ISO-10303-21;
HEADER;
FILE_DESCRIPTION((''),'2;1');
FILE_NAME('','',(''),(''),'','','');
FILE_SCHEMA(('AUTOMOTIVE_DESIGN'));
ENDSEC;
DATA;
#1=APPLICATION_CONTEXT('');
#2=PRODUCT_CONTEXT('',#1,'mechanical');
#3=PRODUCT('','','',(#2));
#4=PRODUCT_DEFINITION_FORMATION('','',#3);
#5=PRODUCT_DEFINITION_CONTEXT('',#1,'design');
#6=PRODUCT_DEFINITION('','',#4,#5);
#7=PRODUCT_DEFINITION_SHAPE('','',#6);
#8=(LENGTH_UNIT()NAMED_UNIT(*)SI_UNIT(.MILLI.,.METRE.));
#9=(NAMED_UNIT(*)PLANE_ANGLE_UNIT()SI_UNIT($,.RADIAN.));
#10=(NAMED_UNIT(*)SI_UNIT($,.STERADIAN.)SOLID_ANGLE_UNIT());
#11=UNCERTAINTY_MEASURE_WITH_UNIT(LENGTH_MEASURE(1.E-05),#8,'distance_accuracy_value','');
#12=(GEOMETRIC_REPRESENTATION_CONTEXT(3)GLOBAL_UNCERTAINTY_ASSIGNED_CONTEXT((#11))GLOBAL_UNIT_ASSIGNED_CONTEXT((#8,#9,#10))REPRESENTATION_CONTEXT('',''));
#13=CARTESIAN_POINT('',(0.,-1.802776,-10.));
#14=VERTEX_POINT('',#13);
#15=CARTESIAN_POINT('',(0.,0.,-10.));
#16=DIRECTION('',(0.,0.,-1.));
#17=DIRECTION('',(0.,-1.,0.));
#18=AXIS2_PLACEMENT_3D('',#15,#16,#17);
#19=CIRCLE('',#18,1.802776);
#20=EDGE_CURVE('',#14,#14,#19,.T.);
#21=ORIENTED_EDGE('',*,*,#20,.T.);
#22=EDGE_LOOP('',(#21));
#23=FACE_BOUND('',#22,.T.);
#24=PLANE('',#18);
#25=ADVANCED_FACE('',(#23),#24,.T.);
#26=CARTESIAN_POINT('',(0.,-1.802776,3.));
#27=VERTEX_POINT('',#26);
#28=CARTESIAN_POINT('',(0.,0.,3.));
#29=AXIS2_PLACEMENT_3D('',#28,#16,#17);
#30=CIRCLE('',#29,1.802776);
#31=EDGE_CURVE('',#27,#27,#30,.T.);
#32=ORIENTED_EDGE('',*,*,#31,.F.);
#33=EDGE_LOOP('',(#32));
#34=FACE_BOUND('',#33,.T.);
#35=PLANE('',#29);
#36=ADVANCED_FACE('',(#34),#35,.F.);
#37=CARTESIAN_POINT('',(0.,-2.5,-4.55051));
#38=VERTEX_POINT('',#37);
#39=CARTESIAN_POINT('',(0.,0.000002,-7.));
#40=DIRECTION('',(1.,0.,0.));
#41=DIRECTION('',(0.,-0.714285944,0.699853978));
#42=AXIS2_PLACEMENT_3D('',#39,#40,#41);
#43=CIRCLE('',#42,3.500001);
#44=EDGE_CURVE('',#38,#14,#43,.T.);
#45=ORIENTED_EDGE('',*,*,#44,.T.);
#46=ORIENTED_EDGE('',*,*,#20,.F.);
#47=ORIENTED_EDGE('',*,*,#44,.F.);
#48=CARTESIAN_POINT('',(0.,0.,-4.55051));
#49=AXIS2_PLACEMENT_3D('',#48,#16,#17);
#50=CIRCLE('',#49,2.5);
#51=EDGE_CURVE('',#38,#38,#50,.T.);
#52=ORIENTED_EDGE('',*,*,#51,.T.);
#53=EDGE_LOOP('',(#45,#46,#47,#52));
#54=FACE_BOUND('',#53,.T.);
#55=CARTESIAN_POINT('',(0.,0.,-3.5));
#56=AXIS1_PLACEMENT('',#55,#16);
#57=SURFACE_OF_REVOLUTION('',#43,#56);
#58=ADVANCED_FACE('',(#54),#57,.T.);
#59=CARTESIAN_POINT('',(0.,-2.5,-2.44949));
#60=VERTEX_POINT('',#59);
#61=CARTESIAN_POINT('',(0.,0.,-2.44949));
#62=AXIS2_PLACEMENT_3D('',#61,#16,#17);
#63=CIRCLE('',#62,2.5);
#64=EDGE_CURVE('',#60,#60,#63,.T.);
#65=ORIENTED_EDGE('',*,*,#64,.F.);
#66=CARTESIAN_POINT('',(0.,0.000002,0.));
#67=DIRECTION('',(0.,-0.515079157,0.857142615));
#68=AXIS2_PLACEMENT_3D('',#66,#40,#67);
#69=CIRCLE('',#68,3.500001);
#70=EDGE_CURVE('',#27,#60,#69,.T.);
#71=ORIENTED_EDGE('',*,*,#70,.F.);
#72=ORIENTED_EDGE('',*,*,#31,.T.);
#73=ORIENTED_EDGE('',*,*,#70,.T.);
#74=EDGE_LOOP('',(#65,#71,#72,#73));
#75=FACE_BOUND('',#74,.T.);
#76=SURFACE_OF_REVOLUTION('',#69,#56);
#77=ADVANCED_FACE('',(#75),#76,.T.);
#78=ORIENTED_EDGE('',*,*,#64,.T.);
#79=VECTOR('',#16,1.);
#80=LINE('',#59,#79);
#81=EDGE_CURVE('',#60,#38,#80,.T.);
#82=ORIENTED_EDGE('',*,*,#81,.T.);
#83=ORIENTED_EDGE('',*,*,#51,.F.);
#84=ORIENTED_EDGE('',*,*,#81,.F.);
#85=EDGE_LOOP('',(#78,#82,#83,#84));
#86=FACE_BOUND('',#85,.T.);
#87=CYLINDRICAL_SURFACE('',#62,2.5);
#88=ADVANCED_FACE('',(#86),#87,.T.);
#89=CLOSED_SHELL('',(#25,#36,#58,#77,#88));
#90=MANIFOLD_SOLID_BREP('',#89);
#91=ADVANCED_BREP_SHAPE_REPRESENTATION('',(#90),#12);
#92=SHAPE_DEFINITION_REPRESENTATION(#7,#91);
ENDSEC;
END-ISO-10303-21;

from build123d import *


with BuildPart() as f1:
    # F0 (on Right) → F1 (revolve)
    with BuildSketch(Plane.YZ):
        with BuildLine():
            Line((0, -7), (0, 0))
            Line((0, 0), (0, 3))
            Line((0, 3), (-1.802776, 3))
            ThreePointArc((-1.802776, 3), (-3.4717, 0.44418), (-2.5, -2.44949))
            Line((-2.5, -2.44949), (-2.5, -4.55051))
            ThreePointArc((-2.5, -4.55051), (-3.4717, -7.44418), (-1.802776, -10))
            Line((-1.802776, -10), (0, -10))
            Line((0, -10), (0, -7))
        make_face()
    revolve(axis=Axis((0, 0, -3.5), (0, 0, -1)))


solid = f1.part
